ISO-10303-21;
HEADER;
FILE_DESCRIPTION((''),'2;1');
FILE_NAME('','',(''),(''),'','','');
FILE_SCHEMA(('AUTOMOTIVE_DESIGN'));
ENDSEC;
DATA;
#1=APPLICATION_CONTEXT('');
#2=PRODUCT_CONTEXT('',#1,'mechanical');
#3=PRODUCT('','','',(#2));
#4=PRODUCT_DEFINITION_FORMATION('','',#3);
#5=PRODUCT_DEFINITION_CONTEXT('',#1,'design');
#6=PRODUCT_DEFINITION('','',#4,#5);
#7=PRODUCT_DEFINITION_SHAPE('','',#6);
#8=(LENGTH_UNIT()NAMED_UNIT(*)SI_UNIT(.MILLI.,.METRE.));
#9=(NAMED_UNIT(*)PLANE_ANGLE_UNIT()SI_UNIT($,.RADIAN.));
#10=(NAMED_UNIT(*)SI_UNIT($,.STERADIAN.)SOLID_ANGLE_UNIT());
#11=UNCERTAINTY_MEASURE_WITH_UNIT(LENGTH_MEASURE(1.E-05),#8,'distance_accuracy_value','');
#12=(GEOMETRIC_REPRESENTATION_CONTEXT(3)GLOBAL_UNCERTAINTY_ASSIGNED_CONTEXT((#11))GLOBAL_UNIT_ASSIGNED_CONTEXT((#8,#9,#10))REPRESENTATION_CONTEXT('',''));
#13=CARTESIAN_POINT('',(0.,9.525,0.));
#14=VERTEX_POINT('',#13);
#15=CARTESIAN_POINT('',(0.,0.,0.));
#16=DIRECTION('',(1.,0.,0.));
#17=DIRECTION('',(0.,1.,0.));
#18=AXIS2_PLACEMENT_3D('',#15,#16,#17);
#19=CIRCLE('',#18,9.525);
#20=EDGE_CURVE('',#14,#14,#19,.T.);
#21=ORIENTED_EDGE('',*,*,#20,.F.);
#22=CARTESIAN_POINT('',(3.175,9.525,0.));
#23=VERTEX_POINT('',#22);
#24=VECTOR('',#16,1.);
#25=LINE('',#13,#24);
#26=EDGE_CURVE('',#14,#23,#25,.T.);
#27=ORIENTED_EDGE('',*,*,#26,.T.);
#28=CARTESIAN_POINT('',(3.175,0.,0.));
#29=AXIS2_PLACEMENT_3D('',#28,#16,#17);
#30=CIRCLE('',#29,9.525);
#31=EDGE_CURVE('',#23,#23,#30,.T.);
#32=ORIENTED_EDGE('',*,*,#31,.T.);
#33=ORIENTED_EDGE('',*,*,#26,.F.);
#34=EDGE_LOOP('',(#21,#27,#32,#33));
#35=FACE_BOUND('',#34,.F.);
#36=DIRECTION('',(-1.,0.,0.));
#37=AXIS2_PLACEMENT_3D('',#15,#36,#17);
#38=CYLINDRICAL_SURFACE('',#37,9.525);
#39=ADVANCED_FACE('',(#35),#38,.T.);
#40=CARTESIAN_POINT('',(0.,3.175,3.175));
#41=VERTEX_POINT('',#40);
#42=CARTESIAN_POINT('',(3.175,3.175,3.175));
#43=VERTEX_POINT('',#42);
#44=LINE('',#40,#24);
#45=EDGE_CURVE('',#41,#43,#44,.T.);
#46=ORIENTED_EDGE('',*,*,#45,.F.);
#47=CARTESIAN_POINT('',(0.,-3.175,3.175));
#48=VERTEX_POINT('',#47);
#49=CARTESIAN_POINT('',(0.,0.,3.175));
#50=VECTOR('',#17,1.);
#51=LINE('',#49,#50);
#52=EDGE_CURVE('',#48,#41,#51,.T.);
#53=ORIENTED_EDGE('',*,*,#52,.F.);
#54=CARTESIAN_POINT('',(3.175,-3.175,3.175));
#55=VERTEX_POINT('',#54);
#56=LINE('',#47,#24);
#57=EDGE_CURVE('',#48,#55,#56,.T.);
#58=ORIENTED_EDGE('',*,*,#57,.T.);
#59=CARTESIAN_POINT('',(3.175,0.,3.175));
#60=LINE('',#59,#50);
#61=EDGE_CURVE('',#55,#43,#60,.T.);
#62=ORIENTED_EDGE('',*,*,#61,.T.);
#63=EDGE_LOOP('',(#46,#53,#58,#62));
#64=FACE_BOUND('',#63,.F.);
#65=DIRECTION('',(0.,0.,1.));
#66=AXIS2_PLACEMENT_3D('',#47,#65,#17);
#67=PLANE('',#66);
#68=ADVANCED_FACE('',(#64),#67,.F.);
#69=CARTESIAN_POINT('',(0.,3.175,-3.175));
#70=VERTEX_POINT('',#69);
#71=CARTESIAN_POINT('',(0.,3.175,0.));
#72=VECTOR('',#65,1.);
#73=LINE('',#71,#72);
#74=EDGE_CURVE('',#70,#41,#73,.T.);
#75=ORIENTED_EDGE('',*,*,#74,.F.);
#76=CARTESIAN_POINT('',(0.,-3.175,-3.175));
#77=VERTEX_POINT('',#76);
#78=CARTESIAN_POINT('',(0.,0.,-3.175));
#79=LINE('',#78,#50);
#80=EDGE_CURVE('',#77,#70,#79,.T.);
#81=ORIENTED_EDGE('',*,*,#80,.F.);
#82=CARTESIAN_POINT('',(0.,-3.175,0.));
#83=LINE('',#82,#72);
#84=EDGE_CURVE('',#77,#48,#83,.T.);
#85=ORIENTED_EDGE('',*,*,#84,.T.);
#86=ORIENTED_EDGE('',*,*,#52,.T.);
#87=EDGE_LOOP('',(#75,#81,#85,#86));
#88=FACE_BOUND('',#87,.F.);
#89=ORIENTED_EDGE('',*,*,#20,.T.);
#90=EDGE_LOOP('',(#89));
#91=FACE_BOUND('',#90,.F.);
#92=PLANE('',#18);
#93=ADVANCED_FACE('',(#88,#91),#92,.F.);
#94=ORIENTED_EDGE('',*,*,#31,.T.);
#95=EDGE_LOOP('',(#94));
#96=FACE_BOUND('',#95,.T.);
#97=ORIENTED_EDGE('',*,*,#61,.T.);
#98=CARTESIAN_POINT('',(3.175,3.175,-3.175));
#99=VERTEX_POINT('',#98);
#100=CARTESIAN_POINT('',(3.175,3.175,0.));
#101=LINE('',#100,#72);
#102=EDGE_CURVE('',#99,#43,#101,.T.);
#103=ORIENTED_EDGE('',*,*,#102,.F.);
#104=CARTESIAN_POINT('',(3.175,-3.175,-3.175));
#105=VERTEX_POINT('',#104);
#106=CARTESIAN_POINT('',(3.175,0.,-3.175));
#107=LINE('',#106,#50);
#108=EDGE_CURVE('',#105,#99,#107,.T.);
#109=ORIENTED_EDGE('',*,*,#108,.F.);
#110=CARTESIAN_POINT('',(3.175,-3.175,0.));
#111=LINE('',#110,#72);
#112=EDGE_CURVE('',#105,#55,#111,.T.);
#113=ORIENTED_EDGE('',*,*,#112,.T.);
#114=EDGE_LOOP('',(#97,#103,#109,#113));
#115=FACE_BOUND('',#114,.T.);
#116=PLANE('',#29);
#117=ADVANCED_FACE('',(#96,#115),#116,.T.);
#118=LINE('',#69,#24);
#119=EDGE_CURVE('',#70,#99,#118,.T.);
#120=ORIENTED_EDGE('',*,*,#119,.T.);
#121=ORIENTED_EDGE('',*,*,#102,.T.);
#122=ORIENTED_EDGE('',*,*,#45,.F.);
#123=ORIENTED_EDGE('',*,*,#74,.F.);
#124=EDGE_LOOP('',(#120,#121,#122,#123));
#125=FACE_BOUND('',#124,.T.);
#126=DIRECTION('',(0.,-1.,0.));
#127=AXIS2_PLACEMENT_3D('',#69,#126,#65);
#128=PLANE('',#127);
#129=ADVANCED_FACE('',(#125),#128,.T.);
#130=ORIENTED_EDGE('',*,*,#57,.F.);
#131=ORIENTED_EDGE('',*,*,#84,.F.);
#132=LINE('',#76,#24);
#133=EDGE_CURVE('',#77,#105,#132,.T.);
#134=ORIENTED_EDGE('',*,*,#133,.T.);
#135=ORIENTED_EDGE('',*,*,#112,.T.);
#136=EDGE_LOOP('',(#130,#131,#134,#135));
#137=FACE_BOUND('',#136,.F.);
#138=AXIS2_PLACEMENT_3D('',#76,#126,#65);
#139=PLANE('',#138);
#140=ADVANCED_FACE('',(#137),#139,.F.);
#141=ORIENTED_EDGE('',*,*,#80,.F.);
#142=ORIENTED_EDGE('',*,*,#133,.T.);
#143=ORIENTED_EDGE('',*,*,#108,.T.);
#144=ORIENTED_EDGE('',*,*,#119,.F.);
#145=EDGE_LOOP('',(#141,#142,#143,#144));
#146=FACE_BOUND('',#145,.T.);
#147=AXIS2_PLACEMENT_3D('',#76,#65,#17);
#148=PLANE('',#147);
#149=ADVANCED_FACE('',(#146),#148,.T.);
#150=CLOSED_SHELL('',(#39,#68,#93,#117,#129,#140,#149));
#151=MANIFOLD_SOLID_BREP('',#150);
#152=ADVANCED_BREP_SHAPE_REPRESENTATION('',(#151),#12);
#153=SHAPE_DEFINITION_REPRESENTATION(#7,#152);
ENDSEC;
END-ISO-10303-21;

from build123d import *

# Parameters (mm, degrees)
F0_R     = 9.525
F0_W     = 6.35
F0_H     = 6.35
F1_DEPTH = 3.175


with BuildPart() as f1:
    # F0 (on Right) → F1 (new body)
    with BuildSketch(Plane.YZ):
        Circle(F0_R)
        Rectangle(F0_W, F0_H, mode=Mode.SUBTRACT)
    extrude(amount=F1_DEPTH)


solid = f1.part
